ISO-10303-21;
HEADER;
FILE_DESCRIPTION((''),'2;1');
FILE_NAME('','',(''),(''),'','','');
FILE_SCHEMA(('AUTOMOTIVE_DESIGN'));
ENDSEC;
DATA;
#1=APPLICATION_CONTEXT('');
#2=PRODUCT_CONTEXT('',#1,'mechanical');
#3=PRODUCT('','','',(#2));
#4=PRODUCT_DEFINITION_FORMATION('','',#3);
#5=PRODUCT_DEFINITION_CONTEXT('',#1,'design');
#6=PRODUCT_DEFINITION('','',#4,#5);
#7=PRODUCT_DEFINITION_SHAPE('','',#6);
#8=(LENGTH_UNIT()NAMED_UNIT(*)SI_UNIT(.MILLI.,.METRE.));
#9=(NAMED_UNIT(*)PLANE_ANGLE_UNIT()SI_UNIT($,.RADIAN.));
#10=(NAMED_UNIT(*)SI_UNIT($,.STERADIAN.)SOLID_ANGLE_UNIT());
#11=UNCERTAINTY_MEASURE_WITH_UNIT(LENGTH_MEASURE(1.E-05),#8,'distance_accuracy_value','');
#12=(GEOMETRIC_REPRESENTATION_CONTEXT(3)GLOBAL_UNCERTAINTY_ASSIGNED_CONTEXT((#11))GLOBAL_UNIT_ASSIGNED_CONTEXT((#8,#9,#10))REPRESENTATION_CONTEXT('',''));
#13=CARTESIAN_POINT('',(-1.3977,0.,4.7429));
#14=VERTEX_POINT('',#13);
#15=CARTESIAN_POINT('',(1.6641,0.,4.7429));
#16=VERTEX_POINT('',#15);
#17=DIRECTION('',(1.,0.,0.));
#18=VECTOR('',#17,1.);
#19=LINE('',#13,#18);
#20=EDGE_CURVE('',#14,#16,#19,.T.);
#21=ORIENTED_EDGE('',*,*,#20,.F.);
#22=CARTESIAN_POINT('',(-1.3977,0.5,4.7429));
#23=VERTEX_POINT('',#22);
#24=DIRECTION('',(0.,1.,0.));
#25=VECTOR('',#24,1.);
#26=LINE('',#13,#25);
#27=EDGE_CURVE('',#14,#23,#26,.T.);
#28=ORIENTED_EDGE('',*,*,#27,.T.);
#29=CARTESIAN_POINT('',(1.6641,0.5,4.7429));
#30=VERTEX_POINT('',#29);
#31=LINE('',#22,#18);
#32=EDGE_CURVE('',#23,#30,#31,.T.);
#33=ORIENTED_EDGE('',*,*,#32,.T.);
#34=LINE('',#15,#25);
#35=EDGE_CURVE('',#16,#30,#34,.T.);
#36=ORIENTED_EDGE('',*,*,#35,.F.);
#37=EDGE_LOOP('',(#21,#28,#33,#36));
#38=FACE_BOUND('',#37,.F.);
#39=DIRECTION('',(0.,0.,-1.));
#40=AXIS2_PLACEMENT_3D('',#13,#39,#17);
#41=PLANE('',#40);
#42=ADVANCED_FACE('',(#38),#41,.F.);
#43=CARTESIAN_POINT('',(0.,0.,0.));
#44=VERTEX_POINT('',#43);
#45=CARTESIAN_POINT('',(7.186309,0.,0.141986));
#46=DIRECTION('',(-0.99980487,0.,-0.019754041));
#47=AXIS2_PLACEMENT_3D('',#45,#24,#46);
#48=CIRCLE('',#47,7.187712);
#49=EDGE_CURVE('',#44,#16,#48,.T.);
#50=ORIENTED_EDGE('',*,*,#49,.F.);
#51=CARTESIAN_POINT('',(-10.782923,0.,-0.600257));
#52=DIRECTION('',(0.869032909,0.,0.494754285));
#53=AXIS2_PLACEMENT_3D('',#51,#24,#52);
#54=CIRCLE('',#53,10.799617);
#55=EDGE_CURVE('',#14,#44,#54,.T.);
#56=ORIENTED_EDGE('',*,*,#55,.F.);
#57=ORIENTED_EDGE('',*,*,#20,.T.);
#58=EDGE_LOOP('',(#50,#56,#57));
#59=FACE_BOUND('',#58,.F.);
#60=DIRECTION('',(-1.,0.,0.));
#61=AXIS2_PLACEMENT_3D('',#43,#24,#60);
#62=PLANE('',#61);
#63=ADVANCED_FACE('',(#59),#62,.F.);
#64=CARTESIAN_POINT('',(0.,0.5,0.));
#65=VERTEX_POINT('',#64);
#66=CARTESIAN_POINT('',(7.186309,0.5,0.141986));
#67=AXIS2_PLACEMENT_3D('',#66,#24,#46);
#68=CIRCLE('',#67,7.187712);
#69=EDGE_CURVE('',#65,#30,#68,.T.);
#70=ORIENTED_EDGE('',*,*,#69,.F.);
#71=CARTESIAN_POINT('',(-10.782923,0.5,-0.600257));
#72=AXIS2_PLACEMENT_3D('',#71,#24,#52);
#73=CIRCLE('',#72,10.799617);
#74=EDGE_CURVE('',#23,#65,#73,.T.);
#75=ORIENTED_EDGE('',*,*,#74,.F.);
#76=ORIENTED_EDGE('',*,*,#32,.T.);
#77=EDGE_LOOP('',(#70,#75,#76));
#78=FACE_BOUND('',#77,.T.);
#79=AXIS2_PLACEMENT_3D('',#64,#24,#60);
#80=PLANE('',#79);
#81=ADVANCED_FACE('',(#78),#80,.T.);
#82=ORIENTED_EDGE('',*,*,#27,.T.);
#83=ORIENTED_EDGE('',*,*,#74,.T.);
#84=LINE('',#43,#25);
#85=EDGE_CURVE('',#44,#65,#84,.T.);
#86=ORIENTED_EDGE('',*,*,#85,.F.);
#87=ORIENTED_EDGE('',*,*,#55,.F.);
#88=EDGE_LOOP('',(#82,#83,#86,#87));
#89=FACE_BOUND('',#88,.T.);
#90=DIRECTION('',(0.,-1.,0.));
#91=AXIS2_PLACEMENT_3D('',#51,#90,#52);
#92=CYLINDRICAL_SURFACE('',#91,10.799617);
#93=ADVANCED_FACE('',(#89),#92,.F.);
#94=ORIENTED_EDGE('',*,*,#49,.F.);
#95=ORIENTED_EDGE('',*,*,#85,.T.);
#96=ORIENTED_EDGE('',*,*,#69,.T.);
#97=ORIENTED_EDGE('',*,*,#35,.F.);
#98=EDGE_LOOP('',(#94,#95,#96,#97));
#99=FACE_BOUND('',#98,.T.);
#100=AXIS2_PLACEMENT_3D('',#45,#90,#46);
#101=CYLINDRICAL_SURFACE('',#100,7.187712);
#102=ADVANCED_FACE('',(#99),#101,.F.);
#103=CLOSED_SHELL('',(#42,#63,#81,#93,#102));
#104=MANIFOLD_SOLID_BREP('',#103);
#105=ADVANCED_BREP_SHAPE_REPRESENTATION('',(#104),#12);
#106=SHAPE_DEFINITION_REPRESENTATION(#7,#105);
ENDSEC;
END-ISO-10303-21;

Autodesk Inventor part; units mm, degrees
ref_plane "YZ Plane" through (0, 0, 0) normal (1, 0, 0) x (0, 1, 0)
ref_plane "XZ Plane" through (0, 0, 0) normal (0, 1, 0) x (-1, 0, 0)
ref_plane "XY Plane" through (0, 0, 0) normal (0, 0, 1) x (1, 0, 0)
sketch "Sketch1" plane through (0, 0, 0) normal (0, 1, 0) x (-1, 0, 0)
  arc A0 (1.3977, 4.7429) -> (0, 0) centre (10.7842, -0.6008) ccw
  arc A1 (0, 0) -> (-1.6641, 4.7429) centre (-7.1856, 0.1421) ccw
  line L0 (1.3977, 4.7429) -> (-1.6641, 4.7429)
extrude "Extrusion2" add sketch "Sketch1" along normal blind 0.5
properties part number "Light-Sheet"
